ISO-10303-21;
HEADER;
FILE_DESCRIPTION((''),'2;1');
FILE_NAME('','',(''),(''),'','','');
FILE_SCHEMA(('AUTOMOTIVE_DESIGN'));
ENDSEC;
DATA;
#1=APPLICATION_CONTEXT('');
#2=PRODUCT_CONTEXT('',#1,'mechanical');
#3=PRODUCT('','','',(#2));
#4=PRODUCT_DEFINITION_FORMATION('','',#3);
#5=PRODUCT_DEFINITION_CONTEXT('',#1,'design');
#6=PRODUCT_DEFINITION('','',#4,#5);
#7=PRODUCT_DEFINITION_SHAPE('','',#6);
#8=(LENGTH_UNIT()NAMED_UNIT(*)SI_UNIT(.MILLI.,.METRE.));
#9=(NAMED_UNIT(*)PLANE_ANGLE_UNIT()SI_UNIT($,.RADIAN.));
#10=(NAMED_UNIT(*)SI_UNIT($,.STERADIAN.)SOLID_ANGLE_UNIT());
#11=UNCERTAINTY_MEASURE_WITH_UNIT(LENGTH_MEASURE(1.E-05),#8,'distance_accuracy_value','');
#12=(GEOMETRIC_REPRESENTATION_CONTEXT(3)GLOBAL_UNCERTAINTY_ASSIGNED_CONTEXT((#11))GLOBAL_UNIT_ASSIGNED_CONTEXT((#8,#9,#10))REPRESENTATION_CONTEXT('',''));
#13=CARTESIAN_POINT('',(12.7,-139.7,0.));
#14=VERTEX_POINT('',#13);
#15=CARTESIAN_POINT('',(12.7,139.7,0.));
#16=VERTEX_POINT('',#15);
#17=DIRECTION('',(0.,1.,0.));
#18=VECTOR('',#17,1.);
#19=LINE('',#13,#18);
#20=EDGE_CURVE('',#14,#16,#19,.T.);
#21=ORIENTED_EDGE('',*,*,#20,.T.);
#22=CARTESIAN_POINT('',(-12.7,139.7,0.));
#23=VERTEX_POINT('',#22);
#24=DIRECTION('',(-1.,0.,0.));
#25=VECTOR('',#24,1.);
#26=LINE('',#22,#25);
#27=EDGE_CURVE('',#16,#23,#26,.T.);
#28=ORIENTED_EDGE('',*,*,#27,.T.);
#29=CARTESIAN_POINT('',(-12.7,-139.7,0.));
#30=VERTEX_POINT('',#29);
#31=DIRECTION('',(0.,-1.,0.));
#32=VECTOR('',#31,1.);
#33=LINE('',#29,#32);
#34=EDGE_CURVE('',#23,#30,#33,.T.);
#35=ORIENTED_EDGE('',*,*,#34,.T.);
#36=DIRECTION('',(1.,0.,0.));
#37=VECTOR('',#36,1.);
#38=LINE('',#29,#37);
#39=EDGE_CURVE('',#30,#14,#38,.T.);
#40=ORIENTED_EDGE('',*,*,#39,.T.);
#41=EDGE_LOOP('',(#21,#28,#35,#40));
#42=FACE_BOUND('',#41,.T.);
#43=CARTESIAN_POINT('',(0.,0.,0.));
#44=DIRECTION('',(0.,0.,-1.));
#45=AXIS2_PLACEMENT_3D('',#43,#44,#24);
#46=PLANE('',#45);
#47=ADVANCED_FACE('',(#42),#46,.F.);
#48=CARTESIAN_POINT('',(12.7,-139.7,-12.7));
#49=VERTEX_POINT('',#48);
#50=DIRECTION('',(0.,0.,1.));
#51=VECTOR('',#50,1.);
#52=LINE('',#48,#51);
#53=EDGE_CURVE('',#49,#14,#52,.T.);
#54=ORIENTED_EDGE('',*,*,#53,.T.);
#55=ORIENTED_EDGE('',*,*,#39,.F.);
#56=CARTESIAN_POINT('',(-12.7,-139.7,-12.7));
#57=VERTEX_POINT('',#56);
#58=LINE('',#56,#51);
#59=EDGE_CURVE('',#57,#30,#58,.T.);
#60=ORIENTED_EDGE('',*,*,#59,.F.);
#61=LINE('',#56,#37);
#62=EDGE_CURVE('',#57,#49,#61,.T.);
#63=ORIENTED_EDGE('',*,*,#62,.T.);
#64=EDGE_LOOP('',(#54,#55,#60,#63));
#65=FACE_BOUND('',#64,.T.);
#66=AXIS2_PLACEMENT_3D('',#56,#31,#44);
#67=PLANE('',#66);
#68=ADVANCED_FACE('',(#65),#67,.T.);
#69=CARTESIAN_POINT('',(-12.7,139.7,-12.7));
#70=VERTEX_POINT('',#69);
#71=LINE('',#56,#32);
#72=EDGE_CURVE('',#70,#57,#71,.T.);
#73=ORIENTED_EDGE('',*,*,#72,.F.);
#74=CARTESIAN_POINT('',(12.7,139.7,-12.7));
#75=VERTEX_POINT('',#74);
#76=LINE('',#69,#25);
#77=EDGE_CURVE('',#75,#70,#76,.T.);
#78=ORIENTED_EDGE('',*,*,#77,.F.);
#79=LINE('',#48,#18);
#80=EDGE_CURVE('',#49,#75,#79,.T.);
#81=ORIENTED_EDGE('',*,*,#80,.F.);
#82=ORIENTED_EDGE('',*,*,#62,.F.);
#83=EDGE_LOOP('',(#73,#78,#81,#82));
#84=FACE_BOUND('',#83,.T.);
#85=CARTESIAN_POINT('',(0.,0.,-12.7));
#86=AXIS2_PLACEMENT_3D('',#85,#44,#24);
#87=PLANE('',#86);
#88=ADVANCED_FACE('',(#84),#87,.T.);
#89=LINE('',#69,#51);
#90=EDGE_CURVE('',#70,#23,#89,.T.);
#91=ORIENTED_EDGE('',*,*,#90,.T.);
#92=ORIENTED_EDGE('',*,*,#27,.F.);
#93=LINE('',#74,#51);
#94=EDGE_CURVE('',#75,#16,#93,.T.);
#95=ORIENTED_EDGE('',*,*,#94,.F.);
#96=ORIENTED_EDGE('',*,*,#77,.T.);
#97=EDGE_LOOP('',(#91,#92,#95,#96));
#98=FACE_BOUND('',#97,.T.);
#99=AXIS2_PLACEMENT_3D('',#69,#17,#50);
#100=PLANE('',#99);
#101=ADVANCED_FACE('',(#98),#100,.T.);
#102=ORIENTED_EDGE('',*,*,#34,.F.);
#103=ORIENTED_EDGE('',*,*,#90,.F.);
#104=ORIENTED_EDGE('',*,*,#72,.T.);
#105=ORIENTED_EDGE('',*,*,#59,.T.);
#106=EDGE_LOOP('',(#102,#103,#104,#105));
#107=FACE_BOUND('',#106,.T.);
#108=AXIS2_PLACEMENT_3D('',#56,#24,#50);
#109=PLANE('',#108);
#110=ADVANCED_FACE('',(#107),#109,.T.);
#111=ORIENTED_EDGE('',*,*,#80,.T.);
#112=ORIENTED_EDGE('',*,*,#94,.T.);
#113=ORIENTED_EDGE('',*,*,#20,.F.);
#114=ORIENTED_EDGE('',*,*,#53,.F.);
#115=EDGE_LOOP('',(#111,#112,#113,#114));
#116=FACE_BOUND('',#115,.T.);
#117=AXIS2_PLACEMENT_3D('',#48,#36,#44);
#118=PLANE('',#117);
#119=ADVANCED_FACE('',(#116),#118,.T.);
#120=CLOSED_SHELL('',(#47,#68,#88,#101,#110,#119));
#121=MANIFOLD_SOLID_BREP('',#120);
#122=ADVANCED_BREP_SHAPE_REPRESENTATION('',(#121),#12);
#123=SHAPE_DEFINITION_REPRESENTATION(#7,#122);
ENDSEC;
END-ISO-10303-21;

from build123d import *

# Parameters (mm, degrees)
SKETCH1_W           = 25.4
SKETCH1_H           = 279.4
BOSS_EXTRUDE1_DEPTH = 12.7


with BuildPart() as part:
    # Sketch1 → Boss-Extrude1 (new body)
    with BuildSketch(Plane.XY):
        Rectangle(SKETCH1_W, SKETCH1_H)
    extrude(amount=-BOSS_EXTRUDE1_DEPTH)


solid = part.part
